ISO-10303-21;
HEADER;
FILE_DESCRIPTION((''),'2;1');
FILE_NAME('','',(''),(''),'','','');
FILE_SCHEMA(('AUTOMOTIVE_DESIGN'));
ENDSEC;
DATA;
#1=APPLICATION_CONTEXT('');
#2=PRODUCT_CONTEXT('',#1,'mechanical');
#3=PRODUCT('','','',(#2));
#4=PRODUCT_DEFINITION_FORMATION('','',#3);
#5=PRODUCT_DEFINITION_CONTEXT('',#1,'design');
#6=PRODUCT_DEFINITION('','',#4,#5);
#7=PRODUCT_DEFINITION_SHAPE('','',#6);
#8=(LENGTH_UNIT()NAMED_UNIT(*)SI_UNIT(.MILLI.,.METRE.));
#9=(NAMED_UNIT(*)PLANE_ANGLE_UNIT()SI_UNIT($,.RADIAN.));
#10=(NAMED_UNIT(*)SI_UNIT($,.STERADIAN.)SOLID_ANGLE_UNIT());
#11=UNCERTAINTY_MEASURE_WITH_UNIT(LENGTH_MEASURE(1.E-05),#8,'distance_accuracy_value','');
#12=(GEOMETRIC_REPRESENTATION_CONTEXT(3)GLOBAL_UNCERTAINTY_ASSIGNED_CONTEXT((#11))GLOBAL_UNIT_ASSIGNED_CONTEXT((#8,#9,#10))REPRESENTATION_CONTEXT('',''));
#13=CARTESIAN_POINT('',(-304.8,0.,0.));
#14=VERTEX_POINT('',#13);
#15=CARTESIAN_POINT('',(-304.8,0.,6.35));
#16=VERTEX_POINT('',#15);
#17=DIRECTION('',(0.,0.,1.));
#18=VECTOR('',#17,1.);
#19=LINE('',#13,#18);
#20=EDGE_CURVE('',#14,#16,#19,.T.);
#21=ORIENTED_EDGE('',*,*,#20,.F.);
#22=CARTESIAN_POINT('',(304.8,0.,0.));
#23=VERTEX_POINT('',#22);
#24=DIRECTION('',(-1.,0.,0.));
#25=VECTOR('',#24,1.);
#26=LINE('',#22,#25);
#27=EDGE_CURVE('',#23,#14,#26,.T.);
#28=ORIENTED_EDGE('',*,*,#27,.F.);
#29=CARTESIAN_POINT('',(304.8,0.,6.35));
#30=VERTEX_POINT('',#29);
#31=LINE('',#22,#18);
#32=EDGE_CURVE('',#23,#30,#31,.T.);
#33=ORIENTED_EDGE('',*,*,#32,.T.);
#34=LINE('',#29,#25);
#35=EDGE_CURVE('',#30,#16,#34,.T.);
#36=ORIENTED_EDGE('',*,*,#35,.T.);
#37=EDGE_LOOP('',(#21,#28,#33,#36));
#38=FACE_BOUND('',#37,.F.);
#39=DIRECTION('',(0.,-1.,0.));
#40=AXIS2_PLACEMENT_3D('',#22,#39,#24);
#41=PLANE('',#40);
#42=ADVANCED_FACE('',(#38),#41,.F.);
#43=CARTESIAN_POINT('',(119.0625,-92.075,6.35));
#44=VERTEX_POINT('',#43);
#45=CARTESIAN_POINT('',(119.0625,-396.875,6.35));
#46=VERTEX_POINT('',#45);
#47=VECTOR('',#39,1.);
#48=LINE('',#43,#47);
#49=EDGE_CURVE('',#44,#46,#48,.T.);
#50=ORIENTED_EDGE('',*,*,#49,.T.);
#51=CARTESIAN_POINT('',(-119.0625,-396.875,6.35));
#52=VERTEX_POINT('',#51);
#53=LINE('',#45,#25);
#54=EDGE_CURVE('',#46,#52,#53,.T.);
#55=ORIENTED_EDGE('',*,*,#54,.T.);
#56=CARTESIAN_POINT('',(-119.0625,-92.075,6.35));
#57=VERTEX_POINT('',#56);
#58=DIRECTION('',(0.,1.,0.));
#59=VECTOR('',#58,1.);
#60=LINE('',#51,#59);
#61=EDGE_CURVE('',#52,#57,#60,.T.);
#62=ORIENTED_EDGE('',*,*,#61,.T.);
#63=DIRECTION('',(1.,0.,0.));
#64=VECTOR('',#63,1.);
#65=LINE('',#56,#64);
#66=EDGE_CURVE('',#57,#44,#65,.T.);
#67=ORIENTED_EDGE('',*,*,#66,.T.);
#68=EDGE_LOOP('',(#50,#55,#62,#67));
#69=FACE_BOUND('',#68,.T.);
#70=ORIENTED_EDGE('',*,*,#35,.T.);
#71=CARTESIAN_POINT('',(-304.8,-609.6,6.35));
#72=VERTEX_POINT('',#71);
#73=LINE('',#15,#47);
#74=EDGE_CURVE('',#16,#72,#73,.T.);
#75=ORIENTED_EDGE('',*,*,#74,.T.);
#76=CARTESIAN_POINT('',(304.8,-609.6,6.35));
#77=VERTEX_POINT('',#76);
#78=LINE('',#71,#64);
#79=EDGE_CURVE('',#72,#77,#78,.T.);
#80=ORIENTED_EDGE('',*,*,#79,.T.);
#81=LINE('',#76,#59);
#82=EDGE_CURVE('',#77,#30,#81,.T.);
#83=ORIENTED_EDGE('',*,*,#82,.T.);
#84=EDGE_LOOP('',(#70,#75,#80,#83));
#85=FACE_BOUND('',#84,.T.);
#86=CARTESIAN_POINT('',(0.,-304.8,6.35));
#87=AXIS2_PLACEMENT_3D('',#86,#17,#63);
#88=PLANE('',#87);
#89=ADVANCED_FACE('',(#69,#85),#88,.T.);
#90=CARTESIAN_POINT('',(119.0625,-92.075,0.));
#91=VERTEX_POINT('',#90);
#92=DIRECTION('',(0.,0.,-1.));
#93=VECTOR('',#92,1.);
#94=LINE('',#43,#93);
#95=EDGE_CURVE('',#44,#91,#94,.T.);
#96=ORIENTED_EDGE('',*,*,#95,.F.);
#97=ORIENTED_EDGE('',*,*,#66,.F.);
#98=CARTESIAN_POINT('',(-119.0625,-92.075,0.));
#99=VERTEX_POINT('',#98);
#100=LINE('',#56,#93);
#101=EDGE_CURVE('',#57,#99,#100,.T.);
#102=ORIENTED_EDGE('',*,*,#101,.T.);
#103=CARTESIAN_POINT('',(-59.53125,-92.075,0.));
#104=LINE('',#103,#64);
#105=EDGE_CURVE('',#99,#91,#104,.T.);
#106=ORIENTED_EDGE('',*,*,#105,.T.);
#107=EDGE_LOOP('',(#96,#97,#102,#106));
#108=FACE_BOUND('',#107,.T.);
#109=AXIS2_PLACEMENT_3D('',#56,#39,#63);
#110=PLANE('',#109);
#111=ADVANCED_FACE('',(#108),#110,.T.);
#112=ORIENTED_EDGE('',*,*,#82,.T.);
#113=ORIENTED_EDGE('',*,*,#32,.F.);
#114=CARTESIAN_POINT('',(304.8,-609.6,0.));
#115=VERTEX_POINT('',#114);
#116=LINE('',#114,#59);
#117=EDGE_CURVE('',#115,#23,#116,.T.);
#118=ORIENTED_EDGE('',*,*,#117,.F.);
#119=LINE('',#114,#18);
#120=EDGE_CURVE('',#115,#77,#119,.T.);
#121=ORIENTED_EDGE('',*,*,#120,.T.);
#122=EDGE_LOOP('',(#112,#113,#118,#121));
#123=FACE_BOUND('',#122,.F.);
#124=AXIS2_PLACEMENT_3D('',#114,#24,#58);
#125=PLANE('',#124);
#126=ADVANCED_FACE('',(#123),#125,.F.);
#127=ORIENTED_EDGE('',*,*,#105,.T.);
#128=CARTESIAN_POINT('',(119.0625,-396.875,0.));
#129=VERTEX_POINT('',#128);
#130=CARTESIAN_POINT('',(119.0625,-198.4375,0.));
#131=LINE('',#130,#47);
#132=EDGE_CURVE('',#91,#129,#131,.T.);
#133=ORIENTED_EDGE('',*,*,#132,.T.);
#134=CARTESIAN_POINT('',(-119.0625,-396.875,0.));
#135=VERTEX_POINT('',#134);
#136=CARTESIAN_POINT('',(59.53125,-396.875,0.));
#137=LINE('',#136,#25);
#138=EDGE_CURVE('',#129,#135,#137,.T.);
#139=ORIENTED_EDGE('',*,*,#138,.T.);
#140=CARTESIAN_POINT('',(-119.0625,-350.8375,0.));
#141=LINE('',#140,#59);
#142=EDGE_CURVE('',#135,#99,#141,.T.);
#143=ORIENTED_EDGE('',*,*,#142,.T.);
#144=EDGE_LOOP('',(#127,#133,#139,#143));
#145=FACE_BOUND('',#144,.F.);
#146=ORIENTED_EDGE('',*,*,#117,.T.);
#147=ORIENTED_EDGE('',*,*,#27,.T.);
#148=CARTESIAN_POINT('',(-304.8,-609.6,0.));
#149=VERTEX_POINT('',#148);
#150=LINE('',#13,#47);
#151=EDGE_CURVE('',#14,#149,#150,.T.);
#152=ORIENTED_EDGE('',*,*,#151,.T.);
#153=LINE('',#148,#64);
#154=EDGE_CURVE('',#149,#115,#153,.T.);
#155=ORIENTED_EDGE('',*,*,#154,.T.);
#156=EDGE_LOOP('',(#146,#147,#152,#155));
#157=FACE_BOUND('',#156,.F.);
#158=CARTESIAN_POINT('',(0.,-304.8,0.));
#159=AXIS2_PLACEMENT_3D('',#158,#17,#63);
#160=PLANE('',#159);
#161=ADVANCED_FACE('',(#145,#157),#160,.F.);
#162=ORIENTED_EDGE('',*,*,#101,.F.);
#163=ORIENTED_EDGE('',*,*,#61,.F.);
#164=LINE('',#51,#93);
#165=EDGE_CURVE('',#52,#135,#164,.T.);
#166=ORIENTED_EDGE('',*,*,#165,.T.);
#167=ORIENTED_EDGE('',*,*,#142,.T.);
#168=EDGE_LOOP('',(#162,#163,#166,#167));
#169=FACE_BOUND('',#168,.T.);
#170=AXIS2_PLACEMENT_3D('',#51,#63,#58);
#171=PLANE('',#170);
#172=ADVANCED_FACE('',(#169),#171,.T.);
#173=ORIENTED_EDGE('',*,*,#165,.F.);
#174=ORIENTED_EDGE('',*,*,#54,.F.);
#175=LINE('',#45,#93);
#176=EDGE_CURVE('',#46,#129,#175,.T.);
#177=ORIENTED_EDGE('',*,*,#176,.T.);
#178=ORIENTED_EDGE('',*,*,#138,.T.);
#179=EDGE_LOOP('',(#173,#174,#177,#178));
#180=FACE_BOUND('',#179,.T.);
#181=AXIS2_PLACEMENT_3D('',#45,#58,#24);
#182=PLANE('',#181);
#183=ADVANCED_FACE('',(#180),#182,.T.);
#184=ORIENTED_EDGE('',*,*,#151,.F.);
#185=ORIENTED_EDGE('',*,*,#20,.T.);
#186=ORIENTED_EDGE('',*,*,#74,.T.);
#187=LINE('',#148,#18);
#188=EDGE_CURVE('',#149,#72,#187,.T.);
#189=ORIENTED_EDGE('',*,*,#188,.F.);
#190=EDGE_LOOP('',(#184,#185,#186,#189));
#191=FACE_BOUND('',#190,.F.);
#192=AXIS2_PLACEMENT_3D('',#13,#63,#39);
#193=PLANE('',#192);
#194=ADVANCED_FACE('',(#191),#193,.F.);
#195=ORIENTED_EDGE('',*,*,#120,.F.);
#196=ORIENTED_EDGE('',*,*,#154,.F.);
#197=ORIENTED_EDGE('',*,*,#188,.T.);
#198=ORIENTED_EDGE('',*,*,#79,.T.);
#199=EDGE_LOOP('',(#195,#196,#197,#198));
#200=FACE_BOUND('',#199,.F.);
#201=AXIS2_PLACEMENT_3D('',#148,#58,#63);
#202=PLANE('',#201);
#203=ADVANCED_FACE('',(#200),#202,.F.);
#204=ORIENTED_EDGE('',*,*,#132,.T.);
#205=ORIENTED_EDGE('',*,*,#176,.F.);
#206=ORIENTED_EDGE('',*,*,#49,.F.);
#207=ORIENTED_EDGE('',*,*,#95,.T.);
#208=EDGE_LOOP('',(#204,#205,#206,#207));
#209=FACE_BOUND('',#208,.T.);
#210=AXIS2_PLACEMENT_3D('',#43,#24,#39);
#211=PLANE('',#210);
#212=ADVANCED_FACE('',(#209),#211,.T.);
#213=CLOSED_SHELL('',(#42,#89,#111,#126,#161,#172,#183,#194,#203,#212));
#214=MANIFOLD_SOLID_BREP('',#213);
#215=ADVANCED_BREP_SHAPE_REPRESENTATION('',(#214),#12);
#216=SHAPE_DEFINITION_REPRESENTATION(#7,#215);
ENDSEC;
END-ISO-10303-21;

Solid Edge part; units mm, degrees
sketch "Sketch1" plane through (0, 0, 0) normal (0, 0, 1) x (1, 0, 0)
  line L0 (-304.8, -609.6) -> (304.8, -609.6)
  line L1 (304.8, -609.6) -> (304.8, 0)
  line L2 (304.8, 0) -> (-304.8, 0)
  line L3 (-304.8, 0) -> (-304.8, -609.6)
  dimension "D1" = 609.6
  dimension "D2" = 609.6
extrude "Protrusion1" add sketch "Sketch1" along normal blind 6.35
extrude "Cutout1" [suppressed]
sketch "Sketch2" plane through (0, -304.8, 6.35) normal (0, 0, 1) x (0, 1, 0)
  line L0 (212.725, -119.0625) -> (-92.075, -119.0625)
  line L1 (-92.075, -119.0625) -> (-92.075, 119.0625)
  line L2 (-92.075, 119.0625) -> (212.725, 119.0625)
  line L3 (212.725, 119.0625) -> (212.725, -119.0625)
  dimension "D1" = 238.125
  dimension "D2" = 304.8
  dimension "D3" = 517.525
extrude "Cutout2" cut sketch "Sketch2" against normal through all
properties material "Wood, Pine"
